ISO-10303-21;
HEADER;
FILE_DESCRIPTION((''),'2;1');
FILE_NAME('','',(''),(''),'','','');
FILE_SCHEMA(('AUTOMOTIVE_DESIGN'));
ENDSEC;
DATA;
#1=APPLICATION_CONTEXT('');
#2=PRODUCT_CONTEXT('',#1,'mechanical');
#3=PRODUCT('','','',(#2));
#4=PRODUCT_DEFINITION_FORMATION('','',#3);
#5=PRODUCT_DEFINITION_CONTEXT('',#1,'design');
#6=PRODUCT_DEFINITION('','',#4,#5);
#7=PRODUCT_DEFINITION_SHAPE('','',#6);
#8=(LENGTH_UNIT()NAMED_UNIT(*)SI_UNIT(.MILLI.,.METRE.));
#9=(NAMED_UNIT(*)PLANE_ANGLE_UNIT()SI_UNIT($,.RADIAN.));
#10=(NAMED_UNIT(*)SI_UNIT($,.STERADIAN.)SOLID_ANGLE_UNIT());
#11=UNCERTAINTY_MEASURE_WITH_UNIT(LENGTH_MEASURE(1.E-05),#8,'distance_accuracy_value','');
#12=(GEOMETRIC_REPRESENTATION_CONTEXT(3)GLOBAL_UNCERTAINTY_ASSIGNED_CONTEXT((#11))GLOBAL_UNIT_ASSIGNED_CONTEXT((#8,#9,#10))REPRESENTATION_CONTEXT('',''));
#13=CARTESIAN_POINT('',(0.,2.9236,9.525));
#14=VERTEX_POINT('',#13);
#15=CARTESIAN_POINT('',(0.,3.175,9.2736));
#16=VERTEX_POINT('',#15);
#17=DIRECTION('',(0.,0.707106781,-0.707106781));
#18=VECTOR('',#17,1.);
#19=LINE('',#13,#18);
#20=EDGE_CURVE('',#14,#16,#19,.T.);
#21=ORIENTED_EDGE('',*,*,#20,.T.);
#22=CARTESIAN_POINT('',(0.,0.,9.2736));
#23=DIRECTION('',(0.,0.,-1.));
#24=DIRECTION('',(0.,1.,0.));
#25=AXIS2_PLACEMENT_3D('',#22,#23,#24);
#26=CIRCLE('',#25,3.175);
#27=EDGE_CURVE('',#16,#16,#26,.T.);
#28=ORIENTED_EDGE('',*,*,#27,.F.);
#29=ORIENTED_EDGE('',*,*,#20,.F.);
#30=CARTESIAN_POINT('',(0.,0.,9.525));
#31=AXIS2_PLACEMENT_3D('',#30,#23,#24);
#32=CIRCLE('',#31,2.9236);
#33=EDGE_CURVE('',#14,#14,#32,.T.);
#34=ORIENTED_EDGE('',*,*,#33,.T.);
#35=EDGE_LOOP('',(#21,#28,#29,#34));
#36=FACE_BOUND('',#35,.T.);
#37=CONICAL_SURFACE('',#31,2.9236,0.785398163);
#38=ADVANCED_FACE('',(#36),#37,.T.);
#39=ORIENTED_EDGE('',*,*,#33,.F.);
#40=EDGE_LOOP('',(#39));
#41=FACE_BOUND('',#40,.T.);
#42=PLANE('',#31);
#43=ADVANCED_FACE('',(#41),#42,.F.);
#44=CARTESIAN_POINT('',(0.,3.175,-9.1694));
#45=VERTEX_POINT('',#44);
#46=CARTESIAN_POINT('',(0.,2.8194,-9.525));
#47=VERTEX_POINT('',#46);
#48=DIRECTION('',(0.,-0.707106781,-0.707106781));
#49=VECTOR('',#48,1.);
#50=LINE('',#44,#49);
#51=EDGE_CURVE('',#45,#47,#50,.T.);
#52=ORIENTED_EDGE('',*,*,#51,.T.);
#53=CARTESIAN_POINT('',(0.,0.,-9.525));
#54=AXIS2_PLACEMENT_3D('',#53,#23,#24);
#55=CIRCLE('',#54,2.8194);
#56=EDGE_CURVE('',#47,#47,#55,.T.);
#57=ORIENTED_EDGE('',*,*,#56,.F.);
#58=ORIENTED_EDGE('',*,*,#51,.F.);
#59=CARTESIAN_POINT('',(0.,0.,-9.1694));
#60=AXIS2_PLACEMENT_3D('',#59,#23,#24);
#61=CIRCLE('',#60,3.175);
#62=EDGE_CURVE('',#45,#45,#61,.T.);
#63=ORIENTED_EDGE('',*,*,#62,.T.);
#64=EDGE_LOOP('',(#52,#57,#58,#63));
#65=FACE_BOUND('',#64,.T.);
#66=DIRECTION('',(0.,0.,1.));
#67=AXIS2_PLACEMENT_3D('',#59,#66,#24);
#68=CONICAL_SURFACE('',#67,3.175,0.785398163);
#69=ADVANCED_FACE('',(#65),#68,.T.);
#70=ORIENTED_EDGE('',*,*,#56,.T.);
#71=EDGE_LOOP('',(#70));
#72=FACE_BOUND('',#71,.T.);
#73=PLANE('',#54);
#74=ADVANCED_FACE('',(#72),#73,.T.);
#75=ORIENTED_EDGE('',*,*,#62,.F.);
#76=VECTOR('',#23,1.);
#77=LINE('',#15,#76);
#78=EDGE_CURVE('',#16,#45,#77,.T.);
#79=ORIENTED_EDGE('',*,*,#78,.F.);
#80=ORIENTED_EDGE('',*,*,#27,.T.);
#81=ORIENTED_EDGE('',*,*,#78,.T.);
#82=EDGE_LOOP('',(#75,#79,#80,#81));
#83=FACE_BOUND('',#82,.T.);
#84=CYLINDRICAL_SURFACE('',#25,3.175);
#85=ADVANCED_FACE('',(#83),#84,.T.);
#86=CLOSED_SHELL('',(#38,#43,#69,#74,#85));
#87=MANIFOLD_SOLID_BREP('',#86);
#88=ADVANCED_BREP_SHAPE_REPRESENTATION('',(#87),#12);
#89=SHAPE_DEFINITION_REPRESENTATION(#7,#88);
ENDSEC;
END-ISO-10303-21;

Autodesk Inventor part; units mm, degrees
sketch "Sketch_1" plane through (0, 0, 0) normal (1, 0, 0) x (0, 1, 0)
  line L0 (0, -9.525) -> (0, 9.525)
  line L1 (0, 9.525) -> (2.9236, 9.525)
  line L2 (2.9236, 9.525) -> (3.175, 9.2736)
  line L3 (3.175, 9.2736) -> (3.175, -9.1694)
  line L4 (3.175, -9.1694) -> (2.8194, -9.525)
  line L5 (2.8194, -9.525) -> (0, -9.525)
  line L6 (0, -9.525) -> (0, 9.525)
revolve "Revolution1" add sketch "Sketch_1" angle 360 about axis through (0, 0, -9.525) along (0, 0, -1)
ref_plane "dia1_XY" through (-3.175, 0, 0) normal (0, 0, 1) x (1, 0, 0)
ref_plane "dia1_YZ" through (-3.175, 0, 0) normal (1, 0, 0) x (0, 1, 0)
ref_plane "dia1_ZX" through (-3.175, 0, 0) normal (0, 1, 0) x (0, 0, 1)
ref_plane "dia2_XY" through (3.175, 0, 0) normal (0, 0, 1) x (1, 0, 0)
ref_plane "dia2_YZ" through (3.175, 0, 0) normal (1, 0, 0) x (0, 1, 0)
ref_plane "dia2_ZX" through (3.175, 0, 0) normal (0, 1, 0) x (0, 0, 1)
ref_plane "pin_XY" through (0, 0, 0) normal (0, 0, 1) x (1, 0, 0)
ref_plane "pin_YZ" through (0, 0, 0) normal (1, 0, 0) x (0, 1, 0)
ref_plane "pin_ZX" through (0, 0, 0) normal (0, 1, 0) x (0, 0, 1)
ref_plane "pin1_XY" through (0, 0, 9.525) normal (1, 0, 0) x (0, 0, -1)
ref_plane "pin1_YZ" through (0, 0, 9.525) normal (0, 0, -1) x (0, 1, 0)
ref_plane "pin1_ZX" through (0, 0, 9.525) normal (0, 1, 0) x (1, 0, 0)
ref_plane "pin2_XY" through (0, 0, -9.525) normal (1, 0, 0) x (0, 0, -1)
ref_plane "pin2_YZ" through (0, 0, -9.525) normal (0, 0, -1) x (0, 1, 0)
ref_plane "pin2_ZX" through (0, 0, -9.525) normal (0, 1, 0) x (1, 0, 0)
properties part number "D-51"
